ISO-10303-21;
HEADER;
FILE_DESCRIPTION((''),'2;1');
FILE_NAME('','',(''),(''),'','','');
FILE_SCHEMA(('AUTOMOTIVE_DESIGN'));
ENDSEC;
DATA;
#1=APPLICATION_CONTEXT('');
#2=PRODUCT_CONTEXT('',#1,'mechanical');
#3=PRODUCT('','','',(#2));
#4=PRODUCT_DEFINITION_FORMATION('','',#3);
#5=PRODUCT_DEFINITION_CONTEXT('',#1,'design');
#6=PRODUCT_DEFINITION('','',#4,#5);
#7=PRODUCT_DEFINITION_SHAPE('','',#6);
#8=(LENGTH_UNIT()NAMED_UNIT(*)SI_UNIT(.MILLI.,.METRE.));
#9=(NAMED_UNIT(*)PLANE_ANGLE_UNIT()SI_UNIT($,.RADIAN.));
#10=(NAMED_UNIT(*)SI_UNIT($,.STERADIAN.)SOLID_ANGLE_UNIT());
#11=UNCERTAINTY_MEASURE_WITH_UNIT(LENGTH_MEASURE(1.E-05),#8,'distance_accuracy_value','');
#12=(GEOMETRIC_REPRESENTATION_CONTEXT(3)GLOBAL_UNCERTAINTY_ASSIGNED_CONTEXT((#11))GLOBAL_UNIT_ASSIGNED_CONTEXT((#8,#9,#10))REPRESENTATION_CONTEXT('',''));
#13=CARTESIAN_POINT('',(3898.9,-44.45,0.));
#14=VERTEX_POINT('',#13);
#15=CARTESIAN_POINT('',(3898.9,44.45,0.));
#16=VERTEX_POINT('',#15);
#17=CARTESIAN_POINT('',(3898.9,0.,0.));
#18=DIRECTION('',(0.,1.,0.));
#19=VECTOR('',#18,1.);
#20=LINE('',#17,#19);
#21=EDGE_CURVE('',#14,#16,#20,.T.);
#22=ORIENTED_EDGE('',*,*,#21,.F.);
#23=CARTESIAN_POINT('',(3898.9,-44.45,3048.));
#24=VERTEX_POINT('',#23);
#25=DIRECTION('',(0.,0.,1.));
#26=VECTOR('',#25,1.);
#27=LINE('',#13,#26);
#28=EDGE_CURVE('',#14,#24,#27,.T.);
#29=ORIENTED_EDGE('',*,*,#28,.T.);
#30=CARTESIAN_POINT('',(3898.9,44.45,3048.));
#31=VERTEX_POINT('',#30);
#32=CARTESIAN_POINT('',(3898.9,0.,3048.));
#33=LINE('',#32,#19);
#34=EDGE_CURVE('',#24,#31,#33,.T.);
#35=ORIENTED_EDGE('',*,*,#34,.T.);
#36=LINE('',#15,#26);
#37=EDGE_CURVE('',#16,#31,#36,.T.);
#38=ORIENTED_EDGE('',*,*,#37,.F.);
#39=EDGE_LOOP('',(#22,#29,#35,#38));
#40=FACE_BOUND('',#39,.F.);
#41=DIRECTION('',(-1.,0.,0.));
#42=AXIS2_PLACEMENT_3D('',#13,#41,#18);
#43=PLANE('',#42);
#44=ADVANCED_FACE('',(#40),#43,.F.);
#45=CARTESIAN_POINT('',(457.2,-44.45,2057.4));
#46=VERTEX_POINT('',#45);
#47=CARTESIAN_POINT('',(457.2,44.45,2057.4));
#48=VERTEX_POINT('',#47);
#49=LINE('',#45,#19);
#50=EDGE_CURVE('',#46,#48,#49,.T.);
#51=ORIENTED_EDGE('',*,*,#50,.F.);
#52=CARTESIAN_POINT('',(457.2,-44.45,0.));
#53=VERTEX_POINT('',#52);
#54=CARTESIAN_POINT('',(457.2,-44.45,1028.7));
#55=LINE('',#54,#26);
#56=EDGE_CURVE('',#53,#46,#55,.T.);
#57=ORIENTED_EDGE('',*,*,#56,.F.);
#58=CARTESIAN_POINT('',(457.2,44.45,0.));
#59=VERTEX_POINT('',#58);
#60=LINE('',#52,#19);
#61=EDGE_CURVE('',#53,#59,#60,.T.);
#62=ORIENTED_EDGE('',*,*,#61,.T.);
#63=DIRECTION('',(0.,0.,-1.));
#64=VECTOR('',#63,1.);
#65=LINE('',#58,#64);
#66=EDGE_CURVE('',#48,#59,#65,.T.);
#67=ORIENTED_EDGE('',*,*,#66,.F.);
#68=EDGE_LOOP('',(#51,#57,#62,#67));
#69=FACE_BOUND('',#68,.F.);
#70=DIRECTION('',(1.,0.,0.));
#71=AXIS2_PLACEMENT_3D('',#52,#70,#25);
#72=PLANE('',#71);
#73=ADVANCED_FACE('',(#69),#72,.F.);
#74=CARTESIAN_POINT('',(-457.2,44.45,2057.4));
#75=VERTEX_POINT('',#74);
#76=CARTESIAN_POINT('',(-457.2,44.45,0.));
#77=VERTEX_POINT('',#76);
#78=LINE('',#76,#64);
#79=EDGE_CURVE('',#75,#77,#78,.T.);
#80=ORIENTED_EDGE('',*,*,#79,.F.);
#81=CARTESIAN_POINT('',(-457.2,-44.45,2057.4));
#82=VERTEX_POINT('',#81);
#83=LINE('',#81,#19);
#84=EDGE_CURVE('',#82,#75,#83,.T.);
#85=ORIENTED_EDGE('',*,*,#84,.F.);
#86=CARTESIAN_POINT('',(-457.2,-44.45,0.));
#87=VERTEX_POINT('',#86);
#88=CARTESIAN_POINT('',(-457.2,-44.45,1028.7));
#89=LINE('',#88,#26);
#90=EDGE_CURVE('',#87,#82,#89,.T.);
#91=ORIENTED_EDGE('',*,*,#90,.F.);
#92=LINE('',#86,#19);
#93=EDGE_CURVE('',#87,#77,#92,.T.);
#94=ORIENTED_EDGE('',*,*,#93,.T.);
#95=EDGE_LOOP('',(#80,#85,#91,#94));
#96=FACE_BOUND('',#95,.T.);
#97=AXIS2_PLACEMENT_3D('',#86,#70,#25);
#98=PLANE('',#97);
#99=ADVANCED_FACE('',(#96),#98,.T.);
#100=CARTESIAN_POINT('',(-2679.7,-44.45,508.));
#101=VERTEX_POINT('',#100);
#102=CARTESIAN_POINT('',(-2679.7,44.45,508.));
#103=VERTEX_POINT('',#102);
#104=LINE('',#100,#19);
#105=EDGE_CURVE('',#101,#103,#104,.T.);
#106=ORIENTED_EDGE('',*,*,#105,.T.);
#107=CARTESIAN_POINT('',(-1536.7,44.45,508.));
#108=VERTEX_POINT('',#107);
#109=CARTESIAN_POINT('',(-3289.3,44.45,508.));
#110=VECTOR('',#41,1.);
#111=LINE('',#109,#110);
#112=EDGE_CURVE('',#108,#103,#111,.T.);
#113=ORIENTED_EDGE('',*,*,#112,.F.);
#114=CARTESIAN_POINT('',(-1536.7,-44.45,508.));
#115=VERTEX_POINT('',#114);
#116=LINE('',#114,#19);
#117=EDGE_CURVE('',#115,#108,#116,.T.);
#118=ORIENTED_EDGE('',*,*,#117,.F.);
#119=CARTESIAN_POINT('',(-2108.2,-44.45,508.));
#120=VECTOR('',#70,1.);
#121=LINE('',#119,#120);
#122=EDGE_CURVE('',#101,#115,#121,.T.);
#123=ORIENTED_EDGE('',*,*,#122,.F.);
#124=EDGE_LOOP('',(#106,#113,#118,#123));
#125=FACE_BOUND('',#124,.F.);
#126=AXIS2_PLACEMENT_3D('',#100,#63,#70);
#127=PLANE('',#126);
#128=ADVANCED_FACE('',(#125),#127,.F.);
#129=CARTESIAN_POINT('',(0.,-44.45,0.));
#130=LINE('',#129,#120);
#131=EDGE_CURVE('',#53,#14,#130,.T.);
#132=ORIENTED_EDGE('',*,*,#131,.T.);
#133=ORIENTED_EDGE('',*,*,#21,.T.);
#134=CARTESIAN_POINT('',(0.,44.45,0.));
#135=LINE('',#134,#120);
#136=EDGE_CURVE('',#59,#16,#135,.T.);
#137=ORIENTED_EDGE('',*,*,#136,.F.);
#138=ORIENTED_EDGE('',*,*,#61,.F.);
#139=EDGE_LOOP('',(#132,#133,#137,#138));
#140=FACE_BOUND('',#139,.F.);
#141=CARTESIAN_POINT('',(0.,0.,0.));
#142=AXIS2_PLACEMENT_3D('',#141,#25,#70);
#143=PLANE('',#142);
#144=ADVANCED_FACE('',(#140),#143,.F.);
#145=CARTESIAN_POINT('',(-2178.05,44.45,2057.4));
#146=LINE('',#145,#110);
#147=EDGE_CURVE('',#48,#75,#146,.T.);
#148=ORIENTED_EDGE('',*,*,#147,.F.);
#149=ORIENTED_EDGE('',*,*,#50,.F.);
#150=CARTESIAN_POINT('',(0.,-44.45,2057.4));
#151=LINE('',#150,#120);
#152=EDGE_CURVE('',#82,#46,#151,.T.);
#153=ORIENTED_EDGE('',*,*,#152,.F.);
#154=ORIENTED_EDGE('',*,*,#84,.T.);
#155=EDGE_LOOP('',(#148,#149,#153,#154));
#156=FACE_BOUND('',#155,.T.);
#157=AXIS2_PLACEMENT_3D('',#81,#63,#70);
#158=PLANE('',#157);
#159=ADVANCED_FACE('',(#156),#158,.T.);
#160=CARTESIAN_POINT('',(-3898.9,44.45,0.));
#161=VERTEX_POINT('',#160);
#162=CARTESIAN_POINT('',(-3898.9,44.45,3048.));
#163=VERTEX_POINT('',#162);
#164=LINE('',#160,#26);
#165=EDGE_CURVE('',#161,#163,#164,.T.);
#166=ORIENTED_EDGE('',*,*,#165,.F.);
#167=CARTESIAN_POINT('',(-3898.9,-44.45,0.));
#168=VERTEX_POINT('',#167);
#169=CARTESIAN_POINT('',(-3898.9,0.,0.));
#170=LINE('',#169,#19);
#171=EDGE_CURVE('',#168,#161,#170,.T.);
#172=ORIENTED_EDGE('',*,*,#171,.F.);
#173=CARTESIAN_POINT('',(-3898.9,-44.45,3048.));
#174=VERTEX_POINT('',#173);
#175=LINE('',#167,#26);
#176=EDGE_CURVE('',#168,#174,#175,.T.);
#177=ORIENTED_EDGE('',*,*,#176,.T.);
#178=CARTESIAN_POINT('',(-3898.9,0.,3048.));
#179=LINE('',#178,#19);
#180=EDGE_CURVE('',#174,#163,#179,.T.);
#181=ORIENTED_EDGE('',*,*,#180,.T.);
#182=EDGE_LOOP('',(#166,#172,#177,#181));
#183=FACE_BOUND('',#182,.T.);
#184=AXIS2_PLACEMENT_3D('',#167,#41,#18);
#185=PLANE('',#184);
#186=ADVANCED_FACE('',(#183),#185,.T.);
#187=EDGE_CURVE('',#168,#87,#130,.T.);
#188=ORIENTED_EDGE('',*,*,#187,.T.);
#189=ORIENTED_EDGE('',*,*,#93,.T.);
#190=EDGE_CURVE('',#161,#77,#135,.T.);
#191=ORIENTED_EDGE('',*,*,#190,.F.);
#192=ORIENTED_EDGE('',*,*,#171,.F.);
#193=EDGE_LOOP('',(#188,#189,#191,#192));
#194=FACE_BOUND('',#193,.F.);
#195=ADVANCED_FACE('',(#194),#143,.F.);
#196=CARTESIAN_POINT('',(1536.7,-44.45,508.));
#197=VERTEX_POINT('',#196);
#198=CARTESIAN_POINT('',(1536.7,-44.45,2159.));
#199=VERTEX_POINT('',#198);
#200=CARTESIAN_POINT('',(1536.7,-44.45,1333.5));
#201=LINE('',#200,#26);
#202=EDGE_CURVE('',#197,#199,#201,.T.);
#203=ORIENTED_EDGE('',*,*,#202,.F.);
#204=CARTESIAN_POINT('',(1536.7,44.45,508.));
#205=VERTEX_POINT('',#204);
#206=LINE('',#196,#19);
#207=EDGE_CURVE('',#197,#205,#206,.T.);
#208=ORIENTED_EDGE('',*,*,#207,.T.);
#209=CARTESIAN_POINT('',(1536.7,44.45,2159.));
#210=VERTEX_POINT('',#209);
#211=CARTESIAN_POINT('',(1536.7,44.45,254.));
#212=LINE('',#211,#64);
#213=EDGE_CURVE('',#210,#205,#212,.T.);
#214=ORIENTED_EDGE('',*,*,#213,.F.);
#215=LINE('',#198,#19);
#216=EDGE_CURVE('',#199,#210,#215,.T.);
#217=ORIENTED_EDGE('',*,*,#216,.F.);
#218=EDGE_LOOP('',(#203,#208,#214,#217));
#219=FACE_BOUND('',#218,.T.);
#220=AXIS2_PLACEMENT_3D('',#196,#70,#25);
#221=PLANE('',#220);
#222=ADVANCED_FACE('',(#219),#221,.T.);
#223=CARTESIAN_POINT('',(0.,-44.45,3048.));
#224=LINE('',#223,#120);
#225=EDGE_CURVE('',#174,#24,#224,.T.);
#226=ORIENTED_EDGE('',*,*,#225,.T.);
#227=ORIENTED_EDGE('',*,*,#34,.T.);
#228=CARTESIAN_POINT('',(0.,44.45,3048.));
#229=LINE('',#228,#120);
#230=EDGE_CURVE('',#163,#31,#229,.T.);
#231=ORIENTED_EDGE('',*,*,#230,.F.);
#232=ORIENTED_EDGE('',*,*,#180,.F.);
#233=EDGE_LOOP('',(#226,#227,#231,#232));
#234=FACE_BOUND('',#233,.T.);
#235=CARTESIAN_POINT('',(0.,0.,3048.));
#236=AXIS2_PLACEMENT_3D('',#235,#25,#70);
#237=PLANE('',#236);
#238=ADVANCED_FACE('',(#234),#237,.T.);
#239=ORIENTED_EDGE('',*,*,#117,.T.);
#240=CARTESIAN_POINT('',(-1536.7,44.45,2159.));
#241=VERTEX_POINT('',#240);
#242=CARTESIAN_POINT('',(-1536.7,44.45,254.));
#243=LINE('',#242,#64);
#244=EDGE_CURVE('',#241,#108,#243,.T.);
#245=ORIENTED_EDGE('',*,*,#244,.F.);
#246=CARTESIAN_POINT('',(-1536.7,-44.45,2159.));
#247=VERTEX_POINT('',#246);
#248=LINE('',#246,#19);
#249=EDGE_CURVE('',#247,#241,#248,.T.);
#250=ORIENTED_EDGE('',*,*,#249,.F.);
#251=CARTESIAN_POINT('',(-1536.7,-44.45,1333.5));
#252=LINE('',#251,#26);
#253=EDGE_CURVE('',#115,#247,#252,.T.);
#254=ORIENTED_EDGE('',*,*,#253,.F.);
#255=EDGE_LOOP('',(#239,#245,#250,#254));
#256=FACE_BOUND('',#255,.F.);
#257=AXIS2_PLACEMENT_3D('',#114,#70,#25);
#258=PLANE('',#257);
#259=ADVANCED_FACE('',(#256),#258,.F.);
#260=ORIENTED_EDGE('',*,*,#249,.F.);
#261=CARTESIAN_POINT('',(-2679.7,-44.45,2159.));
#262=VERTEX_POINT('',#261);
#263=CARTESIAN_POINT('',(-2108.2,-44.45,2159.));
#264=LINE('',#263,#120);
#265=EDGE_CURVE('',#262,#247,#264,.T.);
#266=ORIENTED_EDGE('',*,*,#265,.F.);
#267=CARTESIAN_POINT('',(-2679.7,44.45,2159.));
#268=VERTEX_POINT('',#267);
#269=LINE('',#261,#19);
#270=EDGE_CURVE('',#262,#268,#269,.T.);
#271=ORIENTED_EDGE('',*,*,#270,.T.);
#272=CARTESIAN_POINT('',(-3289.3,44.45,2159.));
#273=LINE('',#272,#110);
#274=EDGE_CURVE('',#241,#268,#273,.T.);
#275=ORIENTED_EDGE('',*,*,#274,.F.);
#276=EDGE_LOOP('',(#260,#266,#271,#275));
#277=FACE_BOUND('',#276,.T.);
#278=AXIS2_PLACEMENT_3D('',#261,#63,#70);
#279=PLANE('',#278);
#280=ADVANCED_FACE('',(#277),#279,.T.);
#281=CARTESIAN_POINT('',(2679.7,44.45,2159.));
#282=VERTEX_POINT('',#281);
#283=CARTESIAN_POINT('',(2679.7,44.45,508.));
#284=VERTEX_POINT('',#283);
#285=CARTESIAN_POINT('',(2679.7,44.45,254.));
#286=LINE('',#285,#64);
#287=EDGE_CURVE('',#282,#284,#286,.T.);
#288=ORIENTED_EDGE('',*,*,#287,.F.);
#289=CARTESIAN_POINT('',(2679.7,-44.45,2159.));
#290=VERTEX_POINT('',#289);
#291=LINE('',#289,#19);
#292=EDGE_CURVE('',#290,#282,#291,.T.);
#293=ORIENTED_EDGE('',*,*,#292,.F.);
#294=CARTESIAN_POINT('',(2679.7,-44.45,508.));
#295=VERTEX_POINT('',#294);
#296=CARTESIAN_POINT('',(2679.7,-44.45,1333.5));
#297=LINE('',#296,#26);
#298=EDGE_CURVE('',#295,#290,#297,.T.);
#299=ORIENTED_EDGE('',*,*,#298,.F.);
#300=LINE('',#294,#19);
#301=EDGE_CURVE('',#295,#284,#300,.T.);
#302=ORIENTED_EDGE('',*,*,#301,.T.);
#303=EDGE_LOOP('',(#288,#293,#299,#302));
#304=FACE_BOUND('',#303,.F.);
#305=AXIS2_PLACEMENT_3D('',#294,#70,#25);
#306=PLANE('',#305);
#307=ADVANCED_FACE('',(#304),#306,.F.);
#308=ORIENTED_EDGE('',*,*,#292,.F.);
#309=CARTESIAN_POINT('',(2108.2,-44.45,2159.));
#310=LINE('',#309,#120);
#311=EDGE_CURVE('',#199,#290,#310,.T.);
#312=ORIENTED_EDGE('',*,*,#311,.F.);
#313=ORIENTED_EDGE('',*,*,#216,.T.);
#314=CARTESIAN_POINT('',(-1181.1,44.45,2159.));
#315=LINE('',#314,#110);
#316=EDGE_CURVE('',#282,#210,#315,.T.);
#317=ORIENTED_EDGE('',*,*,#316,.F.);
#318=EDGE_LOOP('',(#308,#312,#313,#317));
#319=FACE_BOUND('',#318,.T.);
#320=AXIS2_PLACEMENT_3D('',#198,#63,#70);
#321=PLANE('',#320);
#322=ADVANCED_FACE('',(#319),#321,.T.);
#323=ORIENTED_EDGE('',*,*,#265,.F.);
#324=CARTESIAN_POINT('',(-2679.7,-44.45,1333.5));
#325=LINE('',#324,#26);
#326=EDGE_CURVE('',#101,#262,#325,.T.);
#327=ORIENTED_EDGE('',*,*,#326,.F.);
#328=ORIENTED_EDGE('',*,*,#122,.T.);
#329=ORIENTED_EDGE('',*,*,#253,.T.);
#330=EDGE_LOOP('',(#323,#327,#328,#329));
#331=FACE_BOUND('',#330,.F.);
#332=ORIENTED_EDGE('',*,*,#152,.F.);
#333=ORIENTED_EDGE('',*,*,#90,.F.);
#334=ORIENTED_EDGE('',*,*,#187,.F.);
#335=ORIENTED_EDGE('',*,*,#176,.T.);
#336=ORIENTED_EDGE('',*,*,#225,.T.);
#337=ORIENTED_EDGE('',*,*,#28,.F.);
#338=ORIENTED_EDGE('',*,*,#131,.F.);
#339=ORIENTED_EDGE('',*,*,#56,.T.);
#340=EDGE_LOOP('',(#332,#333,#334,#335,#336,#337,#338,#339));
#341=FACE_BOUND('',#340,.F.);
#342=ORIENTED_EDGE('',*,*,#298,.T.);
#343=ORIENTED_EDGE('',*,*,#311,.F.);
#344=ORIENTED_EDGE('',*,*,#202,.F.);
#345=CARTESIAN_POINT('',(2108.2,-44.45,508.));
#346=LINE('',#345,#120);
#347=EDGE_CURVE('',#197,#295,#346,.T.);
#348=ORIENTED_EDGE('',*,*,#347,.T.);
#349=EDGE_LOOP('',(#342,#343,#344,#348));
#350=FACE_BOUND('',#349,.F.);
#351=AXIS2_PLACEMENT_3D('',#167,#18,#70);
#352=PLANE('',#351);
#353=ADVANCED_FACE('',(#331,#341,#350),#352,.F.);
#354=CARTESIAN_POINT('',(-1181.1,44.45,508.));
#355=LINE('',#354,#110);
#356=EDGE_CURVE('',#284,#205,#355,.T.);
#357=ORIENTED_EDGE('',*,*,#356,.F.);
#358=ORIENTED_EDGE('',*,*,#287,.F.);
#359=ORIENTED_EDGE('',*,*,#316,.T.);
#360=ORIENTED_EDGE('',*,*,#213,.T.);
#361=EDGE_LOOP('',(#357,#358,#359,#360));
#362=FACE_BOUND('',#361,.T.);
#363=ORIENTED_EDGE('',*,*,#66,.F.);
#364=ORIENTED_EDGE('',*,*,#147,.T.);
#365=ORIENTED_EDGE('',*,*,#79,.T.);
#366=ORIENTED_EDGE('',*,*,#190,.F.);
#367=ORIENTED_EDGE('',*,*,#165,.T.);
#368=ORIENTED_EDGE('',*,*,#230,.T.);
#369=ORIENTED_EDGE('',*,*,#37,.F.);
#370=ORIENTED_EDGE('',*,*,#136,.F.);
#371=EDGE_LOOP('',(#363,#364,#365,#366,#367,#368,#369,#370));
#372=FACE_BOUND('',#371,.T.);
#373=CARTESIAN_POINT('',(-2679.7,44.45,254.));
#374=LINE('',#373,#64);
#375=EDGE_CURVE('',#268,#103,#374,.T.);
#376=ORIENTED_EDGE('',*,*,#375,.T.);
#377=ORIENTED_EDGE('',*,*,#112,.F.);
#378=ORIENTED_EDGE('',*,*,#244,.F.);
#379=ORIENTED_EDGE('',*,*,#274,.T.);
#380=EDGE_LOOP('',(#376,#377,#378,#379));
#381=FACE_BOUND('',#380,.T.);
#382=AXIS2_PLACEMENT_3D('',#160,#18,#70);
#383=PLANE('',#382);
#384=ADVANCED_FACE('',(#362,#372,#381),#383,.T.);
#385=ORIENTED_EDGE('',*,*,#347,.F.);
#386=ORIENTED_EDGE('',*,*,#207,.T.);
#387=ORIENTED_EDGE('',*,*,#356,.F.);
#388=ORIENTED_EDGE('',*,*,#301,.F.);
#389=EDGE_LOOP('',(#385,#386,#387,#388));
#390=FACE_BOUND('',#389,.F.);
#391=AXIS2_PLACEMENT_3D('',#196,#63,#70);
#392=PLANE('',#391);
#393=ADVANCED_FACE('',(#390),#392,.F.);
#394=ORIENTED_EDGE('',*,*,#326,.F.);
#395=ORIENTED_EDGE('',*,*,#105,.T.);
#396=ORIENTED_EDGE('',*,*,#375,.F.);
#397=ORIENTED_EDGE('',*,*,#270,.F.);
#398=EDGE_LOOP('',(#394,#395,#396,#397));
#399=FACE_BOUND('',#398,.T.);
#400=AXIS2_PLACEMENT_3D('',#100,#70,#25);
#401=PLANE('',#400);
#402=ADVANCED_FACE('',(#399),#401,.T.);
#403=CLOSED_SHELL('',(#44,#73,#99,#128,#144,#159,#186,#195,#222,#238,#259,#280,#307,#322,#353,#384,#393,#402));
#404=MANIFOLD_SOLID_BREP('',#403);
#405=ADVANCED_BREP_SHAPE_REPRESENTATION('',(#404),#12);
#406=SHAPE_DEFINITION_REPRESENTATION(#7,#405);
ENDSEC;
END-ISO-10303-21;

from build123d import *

# Parameters (mm, degrees)
F0_W     = 7797.8
F0_H     = 88.9
F1_DEPTH = 3048
F2_W     = 1143
F2_H     = 1651
F2_W_2   = 914.4
F2_H_2   = 2057.4
F3_DEPTH = 88.901


with BuildPart() as f1:
    # F0 (on Top) → F1 (new body)
    with BuildSketch(Plane.XY):
        Rectangle(F0_W, F0_H)
    extrude(amount=F1_DEPTH)

    # F2 (on face) → F3 (cut, through all)
    with BuildSketch(Plane.XZ.offset(44.45)):
        with Locations((-2108.2, 1333.5)):
            Rectangle(F2_W, F2_H)
        with Locations((2108.2, 1333.5)):
            Rectangle(F2_W, F2_H)
        with Locations((0, 1028.7)):
            Rectangle(F2_W_2, F2_H_2)
    extrude(amount=-F3_DEPTH, mode=Mode.SUBTRACT)


solid = f1.part
